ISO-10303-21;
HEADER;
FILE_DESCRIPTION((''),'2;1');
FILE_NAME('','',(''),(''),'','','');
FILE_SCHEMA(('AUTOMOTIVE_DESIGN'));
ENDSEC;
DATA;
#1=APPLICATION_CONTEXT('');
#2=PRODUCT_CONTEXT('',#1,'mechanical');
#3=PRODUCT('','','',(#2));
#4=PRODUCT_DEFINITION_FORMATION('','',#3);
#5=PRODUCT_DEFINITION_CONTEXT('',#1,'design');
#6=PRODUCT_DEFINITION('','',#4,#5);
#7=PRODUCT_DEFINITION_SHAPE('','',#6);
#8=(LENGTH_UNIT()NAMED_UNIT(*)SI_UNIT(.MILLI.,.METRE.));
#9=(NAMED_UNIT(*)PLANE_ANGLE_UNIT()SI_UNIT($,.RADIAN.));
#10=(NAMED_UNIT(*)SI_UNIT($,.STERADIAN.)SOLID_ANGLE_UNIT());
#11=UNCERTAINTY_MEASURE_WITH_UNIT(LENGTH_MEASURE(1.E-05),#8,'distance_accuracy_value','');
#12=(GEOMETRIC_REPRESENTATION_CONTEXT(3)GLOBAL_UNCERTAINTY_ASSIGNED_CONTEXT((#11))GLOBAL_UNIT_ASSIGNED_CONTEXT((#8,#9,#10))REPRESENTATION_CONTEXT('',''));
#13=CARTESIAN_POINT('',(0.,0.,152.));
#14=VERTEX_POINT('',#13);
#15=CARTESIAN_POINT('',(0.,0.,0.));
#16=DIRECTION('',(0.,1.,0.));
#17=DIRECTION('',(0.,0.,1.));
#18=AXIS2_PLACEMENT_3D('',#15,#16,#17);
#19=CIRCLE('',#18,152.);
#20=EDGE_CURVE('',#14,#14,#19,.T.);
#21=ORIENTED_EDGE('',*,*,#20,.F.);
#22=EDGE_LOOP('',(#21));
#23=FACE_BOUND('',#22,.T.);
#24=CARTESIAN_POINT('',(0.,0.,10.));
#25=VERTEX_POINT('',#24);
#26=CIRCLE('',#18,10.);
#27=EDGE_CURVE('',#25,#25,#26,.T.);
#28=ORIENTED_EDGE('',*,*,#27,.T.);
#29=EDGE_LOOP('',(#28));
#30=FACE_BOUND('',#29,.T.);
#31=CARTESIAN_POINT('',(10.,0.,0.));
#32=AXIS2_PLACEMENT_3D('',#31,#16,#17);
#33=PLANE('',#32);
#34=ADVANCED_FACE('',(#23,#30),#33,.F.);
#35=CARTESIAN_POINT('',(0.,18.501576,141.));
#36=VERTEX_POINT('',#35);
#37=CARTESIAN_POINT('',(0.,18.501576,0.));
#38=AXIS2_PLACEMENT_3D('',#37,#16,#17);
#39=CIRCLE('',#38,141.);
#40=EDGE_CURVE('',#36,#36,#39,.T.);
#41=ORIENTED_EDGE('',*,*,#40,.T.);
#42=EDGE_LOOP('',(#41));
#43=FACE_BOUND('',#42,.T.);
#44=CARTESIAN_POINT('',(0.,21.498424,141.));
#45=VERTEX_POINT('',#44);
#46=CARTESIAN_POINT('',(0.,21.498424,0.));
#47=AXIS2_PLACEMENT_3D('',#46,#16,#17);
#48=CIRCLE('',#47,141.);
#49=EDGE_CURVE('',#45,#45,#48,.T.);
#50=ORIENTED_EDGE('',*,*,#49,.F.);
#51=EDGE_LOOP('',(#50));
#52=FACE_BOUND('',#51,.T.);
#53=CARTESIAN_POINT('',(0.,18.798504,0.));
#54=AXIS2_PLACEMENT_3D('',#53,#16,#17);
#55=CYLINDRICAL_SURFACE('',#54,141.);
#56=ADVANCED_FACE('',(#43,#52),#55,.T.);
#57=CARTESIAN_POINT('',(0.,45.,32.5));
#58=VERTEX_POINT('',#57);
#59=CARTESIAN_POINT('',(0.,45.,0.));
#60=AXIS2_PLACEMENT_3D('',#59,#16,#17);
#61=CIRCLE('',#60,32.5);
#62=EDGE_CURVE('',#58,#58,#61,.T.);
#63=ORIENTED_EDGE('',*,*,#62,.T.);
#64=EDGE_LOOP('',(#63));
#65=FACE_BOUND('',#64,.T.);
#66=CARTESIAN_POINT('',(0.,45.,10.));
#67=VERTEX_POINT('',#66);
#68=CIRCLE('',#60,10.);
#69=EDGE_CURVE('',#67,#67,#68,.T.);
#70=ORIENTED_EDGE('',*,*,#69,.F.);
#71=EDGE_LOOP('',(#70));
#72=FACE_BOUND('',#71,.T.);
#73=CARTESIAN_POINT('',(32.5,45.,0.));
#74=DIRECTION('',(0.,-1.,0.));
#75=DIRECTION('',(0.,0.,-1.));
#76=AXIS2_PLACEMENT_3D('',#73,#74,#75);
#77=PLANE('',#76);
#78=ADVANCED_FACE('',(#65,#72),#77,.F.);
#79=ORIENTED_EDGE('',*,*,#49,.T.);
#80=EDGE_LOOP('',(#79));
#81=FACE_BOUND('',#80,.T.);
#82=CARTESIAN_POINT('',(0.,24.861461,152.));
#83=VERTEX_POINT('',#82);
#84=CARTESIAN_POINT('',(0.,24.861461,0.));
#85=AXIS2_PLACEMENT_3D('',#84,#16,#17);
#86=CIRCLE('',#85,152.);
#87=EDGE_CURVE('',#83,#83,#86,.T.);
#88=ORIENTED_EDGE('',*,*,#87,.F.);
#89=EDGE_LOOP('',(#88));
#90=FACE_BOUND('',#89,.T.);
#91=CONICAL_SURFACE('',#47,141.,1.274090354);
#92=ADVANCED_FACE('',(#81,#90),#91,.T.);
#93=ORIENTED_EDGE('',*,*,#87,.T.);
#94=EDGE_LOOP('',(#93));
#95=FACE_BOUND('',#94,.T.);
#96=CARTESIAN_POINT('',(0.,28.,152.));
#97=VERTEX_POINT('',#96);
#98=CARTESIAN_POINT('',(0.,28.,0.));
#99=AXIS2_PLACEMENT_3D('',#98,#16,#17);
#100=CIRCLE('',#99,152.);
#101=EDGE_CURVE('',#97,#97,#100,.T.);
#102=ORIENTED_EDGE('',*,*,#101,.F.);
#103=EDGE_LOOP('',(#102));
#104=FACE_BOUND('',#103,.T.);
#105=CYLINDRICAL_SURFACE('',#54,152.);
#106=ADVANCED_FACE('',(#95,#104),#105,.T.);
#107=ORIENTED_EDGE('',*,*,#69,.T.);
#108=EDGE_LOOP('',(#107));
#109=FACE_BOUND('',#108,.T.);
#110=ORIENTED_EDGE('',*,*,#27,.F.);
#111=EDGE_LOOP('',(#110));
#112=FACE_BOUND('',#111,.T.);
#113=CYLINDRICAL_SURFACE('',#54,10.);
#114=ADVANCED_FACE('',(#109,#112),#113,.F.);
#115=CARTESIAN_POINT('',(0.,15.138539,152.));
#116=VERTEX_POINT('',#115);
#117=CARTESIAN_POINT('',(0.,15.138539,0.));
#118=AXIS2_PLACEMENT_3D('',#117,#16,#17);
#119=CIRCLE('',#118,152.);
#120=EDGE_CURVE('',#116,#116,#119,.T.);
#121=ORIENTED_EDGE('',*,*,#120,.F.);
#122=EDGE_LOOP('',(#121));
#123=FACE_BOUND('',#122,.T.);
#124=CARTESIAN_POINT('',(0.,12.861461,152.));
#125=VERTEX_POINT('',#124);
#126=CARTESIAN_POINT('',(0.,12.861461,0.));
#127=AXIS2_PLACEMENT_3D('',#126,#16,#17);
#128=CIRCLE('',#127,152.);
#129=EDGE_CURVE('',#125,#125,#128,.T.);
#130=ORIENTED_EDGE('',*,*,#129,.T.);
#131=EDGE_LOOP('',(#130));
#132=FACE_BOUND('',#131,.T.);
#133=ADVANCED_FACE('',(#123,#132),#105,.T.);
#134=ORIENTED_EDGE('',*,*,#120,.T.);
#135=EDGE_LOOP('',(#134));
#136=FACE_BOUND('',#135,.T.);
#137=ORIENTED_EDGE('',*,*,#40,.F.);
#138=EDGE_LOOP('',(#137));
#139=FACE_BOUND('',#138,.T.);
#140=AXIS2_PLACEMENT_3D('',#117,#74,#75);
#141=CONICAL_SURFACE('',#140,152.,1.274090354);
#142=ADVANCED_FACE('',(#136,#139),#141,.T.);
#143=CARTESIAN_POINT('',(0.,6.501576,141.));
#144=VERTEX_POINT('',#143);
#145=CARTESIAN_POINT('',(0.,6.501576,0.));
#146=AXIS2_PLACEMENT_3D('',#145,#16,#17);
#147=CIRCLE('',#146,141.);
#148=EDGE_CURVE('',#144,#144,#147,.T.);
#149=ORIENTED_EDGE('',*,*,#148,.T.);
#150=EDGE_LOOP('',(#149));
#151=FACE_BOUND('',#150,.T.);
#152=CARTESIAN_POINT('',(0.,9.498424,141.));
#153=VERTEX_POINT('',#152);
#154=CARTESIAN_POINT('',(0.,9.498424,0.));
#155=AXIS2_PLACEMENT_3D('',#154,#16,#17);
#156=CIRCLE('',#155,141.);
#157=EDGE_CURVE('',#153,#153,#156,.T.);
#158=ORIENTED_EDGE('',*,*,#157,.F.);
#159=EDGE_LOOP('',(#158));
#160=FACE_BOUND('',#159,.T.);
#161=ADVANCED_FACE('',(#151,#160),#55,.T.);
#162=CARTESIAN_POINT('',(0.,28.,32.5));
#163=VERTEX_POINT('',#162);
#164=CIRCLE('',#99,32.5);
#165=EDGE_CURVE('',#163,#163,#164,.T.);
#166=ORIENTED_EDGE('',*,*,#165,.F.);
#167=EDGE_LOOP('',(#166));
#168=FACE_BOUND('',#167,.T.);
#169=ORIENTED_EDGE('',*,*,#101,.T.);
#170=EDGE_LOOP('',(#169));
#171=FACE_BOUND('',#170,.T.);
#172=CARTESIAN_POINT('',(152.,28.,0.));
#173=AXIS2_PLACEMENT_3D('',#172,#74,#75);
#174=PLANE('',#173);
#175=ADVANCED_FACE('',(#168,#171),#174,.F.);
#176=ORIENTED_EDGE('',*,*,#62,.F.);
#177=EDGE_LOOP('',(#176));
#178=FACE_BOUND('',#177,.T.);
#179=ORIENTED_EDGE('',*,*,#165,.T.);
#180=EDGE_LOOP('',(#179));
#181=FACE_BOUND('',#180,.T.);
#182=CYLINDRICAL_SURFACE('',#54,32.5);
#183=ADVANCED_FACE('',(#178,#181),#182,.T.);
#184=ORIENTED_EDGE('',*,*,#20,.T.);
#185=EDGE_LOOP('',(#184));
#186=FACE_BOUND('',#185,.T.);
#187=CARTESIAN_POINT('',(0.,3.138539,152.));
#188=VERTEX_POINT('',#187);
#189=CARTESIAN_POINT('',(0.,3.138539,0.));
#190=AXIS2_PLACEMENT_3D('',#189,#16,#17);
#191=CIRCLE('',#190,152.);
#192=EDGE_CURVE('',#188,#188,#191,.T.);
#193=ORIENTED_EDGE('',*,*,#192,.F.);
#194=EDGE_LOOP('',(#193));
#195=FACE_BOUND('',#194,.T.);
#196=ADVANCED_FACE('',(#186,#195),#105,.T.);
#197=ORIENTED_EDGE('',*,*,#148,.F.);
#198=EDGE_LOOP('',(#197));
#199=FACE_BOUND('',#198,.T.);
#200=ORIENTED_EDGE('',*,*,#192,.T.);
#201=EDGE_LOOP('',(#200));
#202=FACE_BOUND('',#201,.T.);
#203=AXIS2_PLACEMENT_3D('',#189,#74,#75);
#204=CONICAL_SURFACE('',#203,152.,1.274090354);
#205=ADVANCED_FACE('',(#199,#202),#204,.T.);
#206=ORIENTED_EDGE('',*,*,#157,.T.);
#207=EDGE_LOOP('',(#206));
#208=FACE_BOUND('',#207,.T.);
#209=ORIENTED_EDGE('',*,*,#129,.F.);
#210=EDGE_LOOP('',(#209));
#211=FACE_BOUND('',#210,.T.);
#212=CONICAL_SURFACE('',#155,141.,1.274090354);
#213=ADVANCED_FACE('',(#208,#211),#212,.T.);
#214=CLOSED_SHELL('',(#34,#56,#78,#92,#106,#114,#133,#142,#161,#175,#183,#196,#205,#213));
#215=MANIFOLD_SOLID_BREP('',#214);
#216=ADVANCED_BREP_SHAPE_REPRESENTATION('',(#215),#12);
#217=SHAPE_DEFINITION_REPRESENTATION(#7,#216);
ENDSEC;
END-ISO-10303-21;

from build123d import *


with BuildPart() as part:
    # Sketch1 → Revolve1 (revolve)
    with BuildSketch(Plane.XY, mode=Mode.PRIVATE) as revolve1_sk:
        Polygon((10, 45), (10, 0), (152, 0), (152, 3.138538637), (141, 6.501576133), (141, 9.498423867), (152, 12.861461363), (152, 15.138538637), (141, 18.501576133), (141, 21.498423867), (152, 24.861461363), (152, 28), (32.5, 28), (32.5, 45), align=None)
    revolve(revolve1_sk.sketch.rotate(Axis((0, 18.798504309, 0), (0, -1, 0)), 90), axis=Axis((0, 18.798504309, 0), (0, -1, 0)))


solid = part.part
